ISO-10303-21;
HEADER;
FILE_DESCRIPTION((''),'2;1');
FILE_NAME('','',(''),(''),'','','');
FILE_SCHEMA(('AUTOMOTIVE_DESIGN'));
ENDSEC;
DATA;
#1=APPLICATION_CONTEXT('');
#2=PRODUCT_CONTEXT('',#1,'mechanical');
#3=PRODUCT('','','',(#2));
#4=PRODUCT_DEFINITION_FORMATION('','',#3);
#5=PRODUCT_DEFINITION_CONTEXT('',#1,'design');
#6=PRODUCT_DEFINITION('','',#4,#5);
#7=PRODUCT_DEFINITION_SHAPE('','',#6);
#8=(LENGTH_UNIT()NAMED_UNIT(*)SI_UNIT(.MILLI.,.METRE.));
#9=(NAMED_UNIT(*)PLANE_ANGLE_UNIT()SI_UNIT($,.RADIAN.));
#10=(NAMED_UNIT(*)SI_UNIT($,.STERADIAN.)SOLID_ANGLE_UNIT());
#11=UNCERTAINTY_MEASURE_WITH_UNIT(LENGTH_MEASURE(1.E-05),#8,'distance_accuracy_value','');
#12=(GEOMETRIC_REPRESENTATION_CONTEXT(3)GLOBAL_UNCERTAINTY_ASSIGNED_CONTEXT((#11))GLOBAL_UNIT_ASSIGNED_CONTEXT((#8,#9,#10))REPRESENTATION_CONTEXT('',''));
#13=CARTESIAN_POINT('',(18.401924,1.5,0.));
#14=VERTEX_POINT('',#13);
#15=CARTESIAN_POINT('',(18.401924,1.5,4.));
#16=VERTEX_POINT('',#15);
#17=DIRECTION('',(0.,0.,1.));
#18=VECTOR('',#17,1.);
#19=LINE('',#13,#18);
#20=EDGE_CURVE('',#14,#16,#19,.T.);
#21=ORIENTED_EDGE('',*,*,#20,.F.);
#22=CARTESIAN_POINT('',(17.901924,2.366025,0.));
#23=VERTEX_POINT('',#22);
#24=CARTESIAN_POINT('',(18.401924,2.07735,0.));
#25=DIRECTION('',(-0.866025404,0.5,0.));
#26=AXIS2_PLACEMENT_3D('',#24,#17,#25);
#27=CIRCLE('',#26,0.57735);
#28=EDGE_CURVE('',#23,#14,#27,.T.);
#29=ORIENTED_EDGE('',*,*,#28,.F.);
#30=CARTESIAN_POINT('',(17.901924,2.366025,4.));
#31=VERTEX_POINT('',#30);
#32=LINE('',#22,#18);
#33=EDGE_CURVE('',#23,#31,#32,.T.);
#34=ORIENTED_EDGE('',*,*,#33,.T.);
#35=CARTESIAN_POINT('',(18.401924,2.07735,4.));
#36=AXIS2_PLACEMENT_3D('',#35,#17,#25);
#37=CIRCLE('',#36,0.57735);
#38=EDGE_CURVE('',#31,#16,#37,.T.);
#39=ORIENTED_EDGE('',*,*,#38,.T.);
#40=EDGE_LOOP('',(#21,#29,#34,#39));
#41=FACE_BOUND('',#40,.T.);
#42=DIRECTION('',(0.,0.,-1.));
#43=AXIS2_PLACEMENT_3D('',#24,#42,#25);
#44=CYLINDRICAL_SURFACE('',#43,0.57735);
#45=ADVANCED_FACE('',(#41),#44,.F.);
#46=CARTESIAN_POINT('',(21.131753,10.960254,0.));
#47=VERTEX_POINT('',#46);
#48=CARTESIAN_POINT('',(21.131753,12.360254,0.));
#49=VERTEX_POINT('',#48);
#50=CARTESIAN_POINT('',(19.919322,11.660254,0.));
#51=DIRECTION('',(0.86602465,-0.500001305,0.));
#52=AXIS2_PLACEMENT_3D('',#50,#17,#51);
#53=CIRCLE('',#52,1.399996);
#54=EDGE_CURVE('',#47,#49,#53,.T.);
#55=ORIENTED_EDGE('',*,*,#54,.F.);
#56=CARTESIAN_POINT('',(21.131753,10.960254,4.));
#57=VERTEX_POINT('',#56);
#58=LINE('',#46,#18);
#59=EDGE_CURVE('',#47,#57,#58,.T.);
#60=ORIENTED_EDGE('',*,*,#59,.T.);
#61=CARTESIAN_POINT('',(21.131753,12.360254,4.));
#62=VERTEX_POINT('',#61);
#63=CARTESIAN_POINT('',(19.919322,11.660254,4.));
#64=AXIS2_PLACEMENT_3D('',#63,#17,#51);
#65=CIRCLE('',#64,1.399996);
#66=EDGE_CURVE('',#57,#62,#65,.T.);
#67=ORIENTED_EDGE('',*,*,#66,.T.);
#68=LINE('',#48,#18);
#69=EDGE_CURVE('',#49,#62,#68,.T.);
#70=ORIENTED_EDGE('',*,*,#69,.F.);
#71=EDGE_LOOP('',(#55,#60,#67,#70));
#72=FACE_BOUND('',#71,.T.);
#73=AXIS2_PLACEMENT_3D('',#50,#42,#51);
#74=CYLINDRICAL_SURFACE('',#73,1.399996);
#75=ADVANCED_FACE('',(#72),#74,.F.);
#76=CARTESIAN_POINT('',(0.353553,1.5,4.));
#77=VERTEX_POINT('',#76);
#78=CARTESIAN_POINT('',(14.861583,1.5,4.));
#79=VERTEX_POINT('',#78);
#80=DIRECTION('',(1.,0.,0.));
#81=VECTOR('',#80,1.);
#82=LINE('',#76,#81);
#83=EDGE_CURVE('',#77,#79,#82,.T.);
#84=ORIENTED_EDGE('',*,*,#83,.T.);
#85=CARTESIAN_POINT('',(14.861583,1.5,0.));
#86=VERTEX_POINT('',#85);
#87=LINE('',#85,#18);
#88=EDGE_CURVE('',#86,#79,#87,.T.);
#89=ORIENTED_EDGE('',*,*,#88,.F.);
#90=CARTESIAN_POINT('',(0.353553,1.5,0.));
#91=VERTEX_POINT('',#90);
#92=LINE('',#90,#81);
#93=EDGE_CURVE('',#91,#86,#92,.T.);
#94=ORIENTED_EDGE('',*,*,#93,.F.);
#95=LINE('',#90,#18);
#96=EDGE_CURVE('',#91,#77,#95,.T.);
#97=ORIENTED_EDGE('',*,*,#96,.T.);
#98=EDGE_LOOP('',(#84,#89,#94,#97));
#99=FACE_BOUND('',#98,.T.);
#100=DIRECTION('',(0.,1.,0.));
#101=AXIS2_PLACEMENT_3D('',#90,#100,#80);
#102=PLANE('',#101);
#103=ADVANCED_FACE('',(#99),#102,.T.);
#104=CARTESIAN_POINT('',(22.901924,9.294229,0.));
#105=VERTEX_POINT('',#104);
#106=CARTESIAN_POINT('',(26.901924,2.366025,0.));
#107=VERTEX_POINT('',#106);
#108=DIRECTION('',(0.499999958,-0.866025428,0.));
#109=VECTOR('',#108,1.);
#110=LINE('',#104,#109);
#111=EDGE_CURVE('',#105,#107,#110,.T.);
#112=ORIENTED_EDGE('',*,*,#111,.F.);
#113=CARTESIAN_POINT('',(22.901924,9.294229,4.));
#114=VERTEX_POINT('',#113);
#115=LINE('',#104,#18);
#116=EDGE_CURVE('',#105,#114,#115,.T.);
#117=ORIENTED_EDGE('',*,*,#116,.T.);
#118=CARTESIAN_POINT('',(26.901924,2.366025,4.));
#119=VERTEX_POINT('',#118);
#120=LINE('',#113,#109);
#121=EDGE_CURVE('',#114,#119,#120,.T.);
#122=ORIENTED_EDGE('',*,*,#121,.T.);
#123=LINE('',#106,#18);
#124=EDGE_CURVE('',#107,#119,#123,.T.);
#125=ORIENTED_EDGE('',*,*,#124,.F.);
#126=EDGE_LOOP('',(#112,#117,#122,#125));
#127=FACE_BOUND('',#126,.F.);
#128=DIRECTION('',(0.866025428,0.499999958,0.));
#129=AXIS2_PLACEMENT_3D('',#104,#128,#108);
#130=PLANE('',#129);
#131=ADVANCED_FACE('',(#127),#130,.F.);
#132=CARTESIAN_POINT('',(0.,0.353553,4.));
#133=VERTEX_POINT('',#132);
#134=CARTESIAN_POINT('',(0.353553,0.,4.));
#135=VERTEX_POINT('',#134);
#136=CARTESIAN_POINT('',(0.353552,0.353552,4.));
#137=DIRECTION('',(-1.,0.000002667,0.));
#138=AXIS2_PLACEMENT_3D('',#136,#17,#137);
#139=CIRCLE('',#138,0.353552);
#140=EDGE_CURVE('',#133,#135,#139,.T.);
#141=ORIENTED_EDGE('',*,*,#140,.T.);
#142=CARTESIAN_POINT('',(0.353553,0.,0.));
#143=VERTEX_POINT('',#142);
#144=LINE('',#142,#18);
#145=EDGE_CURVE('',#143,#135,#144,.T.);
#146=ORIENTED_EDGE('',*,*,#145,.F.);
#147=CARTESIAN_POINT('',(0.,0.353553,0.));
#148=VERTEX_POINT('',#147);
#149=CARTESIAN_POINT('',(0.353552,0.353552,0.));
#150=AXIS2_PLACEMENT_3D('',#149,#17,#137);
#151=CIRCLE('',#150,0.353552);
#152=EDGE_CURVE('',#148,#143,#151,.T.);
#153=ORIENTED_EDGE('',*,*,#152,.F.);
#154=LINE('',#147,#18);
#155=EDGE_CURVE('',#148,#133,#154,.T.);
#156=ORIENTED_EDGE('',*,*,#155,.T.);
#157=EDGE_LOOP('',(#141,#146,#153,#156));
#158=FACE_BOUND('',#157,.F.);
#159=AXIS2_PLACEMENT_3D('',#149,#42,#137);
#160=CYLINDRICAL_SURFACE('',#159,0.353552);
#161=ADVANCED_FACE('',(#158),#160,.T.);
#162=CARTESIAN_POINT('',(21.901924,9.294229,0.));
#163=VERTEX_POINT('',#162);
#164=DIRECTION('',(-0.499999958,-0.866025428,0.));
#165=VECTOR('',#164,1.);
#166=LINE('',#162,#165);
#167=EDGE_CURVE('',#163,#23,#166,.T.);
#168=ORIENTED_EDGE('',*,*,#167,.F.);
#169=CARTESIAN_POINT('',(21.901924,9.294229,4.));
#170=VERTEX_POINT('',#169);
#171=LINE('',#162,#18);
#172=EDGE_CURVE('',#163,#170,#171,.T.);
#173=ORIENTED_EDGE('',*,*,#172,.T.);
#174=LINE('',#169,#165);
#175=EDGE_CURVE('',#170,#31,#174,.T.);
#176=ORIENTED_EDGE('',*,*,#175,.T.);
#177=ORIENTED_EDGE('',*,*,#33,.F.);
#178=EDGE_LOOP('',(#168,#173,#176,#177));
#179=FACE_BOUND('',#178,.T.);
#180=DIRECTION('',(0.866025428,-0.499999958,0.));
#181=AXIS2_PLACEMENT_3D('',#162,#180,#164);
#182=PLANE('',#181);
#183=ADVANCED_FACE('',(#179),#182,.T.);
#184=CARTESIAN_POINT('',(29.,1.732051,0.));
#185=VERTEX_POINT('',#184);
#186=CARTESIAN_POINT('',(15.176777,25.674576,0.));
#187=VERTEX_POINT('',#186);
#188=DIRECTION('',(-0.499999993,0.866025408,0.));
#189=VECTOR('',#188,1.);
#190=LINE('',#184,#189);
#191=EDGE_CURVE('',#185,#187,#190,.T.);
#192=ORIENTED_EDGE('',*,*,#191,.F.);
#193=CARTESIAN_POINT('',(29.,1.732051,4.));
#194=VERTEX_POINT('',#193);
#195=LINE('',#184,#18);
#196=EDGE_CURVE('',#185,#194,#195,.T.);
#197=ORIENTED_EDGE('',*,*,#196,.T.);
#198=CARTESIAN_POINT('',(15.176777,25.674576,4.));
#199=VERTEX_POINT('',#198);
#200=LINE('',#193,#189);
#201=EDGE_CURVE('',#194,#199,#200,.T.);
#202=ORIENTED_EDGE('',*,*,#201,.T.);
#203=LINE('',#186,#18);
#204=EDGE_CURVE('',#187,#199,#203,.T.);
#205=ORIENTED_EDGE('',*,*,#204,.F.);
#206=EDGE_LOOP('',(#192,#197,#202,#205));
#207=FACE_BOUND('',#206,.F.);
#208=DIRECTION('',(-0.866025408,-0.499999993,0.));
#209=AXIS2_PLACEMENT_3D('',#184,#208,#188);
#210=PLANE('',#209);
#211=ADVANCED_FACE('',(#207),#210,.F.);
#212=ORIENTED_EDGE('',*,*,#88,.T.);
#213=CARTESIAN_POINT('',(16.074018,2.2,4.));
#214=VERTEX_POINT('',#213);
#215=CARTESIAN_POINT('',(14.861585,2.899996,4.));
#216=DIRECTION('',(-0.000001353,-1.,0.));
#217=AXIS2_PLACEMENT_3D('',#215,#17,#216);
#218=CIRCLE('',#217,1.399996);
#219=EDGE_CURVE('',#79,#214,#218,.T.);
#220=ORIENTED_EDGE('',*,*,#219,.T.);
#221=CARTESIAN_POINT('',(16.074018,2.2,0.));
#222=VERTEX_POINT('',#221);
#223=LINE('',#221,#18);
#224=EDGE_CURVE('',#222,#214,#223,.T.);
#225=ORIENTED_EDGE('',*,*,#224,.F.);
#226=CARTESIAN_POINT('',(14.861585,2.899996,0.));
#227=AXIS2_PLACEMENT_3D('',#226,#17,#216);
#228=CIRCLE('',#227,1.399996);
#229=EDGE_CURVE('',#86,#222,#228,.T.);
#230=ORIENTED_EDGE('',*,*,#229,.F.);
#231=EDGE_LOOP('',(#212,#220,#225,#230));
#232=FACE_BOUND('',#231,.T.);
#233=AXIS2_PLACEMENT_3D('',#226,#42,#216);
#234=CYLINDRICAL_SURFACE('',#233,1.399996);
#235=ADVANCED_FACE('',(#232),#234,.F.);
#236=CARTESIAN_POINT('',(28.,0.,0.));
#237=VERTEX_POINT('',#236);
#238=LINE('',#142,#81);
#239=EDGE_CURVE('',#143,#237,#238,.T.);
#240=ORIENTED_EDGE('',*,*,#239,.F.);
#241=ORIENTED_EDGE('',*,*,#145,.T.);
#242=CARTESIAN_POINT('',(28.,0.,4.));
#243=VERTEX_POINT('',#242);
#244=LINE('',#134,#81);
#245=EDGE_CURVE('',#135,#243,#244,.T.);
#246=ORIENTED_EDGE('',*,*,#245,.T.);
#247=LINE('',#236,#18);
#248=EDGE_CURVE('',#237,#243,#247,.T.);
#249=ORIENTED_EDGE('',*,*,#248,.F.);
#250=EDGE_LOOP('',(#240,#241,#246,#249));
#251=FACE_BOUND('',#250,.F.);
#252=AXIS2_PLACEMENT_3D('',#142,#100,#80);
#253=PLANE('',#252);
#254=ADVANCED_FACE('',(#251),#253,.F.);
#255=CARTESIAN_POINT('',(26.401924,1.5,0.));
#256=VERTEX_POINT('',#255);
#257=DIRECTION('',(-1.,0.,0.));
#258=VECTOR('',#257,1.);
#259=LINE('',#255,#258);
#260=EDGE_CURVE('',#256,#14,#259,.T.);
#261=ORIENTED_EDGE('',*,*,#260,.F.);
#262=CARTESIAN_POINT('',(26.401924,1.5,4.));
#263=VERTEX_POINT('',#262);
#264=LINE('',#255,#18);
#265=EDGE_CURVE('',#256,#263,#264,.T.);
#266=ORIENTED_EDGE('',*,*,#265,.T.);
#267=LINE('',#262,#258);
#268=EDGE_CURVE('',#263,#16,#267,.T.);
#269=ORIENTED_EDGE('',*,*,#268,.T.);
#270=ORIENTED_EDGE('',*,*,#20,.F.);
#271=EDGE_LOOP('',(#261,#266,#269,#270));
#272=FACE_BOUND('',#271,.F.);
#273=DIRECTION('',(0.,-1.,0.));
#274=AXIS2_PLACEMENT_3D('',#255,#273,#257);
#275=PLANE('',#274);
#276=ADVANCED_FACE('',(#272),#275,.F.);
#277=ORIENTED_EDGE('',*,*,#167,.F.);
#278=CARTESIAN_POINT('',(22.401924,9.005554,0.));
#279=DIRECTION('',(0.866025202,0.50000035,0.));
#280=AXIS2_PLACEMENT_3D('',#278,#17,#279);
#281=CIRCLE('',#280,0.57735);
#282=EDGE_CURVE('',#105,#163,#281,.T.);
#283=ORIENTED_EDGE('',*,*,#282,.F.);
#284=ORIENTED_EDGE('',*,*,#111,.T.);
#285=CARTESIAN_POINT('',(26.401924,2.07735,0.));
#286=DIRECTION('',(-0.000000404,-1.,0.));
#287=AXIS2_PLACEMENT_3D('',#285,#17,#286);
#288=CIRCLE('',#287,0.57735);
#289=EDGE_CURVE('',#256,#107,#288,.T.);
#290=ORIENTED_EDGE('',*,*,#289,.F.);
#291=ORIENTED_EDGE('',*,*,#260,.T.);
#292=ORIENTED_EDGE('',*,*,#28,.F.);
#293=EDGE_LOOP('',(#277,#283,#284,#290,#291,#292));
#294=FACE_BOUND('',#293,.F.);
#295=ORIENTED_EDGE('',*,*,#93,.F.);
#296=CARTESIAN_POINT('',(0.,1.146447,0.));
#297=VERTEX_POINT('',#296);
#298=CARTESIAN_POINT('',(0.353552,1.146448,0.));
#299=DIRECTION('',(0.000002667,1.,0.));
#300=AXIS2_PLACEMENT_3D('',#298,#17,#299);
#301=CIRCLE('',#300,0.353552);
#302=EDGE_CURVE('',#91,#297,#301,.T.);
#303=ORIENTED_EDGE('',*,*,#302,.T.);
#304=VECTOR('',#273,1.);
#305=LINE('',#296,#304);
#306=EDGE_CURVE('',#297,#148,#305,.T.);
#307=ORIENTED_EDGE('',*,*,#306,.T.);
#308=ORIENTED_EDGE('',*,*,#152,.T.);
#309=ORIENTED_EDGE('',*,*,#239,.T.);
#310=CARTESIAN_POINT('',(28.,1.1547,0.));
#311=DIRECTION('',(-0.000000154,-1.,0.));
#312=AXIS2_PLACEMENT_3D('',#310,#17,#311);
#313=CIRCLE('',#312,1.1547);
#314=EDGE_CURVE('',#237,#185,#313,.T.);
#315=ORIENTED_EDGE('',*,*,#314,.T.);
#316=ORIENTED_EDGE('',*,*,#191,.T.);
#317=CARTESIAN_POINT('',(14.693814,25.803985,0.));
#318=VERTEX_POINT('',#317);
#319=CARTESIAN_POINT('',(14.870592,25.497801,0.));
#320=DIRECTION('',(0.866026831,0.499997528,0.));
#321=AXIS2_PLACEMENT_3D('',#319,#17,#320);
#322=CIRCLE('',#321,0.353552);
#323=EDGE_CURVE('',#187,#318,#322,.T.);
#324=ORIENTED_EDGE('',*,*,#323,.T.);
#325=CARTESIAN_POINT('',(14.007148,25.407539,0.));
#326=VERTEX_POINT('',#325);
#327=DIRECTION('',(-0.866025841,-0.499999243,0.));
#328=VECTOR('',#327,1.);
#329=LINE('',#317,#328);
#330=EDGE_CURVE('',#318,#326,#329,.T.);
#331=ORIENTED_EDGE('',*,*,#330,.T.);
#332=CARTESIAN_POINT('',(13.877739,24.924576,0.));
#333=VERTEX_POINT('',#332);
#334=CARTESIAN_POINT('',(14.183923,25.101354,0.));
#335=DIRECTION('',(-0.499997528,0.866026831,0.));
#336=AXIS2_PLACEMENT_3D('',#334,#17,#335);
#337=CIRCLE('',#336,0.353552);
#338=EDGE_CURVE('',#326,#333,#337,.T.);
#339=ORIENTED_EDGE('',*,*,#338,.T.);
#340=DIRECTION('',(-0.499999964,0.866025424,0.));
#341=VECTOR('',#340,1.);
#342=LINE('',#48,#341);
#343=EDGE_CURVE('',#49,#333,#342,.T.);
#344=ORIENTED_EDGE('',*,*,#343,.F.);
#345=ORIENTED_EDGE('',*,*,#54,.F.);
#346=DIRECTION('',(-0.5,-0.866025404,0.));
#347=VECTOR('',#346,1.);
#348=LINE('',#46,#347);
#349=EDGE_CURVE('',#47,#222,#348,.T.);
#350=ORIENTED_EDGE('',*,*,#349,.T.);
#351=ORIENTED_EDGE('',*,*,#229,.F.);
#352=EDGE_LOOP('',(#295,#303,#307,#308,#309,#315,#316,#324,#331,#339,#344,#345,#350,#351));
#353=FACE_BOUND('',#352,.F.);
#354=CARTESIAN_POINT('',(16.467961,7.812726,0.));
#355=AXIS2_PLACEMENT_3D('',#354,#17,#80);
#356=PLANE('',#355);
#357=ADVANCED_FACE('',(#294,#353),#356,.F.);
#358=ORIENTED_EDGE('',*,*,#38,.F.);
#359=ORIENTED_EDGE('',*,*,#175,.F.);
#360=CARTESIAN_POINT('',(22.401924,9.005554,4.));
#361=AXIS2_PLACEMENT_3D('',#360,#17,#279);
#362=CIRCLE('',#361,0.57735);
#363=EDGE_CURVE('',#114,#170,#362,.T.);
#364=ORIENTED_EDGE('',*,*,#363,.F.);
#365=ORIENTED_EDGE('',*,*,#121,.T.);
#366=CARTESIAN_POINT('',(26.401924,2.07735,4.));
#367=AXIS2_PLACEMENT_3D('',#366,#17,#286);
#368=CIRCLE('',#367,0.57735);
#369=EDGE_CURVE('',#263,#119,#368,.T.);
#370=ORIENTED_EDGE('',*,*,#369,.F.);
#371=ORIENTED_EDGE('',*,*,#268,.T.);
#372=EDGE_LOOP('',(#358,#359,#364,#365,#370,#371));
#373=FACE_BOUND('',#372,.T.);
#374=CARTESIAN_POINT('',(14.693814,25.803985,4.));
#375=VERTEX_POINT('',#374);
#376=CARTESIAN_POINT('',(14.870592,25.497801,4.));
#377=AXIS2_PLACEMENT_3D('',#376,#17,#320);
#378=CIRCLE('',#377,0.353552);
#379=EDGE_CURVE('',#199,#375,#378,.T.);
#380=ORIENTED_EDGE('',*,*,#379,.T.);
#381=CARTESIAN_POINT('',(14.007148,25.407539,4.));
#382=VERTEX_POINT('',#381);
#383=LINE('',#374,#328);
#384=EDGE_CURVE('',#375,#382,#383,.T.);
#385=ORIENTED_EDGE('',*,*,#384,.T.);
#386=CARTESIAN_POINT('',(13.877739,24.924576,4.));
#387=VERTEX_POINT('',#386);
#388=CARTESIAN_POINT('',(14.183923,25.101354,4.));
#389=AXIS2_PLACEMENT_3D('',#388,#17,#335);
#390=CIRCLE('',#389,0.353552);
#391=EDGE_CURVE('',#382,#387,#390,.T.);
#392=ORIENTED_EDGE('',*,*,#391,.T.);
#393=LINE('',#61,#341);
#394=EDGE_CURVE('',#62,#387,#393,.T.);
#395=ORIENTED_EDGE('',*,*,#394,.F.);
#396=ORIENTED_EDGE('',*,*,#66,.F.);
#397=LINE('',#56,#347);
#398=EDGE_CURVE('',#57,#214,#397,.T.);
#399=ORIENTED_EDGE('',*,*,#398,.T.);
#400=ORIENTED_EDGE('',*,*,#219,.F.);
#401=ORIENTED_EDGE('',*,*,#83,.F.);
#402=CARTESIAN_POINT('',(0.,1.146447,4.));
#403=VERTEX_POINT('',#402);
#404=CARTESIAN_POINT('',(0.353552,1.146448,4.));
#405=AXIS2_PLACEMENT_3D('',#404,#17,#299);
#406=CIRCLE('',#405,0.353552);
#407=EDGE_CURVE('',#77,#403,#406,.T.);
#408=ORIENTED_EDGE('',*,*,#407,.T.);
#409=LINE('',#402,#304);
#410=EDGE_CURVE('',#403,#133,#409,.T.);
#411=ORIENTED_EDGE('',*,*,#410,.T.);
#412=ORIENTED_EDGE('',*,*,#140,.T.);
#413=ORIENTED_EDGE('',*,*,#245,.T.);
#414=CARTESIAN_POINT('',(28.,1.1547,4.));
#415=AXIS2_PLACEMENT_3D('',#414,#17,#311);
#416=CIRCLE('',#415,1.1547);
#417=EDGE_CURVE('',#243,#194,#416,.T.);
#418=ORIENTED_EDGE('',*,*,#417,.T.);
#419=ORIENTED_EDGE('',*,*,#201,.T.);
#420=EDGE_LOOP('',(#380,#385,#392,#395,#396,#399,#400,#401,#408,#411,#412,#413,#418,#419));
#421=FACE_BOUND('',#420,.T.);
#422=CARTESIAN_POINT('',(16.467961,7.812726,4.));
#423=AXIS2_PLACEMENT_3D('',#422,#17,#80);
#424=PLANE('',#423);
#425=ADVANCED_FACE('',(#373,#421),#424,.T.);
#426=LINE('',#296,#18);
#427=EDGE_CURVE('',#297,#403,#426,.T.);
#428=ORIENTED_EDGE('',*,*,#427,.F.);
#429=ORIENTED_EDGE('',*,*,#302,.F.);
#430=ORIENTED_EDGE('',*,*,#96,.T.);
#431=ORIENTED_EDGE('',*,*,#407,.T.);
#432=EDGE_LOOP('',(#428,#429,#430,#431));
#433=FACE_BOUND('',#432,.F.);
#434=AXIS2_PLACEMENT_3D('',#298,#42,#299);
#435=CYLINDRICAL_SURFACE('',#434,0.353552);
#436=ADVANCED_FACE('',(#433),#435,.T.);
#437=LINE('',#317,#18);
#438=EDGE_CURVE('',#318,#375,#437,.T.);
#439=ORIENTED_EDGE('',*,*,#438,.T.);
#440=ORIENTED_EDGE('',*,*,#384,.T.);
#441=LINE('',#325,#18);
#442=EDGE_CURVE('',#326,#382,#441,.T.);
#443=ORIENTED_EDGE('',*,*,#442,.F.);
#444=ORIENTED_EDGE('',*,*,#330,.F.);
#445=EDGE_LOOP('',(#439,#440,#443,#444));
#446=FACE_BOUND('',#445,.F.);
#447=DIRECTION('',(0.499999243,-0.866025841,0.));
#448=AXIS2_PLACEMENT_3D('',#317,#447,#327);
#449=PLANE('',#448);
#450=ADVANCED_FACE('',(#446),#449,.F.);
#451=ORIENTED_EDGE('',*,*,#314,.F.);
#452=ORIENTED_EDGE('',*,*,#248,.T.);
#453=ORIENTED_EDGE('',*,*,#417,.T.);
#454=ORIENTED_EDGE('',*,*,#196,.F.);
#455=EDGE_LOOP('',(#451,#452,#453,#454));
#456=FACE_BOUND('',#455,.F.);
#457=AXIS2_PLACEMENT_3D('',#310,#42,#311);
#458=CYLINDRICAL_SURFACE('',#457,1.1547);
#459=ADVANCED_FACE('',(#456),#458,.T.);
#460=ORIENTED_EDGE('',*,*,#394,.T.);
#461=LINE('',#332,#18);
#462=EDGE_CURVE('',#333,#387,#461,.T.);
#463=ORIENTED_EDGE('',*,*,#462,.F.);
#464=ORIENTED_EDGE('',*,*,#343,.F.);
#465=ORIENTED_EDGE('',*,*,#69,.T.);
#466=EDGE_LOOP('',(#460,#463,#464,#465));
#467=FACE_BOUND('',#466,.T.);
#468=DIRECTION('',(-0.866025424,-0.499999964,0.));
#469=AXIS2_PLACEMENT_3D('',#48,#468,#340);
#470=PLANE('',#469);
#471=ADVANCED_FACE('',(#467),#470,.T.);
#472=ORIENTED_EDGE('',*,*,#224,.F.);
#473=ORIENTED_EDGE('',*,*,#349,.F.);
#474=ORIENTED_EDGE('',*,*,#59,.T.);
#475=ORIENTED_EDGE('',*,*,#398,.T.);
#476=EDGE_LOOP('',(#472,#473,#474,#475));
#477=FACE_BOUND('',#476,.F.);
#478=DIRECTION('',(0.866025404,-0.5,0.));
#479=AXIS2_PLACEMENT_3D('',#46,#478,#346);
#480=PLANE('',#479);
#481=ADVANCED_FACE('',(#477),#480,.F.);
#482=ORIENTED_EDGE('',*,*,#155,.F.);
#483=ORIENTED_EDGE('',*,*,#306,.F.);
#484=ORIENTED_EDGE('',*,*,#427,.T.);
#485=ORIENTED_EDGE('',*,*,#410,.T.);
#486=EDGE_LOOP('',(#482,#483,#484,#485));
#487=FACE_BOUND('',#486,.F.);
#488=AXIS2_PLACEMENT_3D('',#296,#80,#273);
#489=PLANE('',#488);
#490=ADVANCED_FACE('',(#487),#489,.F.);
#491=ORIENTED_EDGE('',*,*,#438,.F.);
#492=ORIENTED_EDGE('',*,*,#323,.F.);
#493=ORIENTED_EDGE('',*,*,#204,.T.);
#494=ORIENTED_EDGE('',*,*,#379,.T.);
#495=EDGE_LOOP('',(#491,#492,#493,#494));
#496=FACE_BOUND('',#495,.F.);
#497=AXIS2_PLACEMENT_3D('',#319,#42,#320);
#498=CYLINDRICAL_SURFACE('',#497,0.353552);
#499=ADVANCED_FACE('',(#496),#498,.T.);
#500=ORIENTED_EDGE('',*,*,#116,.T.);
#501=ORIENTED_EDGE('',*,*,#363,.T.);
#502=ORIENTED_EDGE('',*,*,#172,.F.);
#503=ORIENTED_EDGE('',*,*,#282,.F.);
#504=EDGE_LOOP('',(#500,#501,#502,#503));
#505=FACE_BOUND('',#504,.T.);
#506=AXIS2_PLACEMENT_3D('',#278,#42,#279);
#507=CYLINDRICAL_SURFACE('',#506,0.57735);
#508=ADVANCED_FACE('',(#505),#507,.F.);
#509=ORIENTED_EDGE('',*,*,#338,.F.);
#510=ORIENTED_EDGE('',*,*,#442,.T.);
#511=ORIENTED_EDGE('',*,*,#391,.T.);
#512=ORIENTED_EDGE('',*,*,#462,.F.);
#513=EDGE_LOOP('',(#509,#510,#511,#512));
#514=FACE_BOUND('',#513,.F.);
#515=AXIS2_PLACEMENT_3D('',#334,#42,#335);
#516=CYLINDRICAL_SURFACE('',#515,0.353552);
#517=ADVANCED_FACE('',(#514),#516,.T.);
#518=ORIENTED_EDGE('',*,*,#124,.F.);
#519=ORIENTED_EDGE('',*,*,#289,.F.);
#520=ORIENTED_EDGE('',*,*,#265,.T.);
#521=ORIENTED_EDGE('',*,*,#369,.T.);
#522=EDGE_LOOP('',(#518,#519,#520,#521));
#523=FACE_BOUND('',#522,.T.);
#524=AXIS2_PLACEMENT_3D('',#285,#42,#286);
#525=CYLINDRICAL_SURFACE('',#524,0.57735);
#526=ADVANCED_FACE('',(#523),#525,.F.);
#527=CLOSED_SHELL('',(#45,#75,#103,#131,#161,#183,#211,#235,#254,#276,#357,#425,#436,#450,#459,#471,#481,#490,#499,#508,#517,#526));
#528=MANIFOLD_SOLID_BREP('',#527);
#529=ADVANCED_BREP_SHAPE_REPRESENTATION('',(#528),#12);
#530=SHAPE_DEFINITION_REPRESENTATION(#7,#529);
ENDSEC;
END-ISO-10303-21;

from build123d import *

# Parameters (mm, degrees)
PAD_DEPTH = 4


with BuildPart() as part:
    # Sketch → Pad (new body)
    with BuildSketch(Plane.XY):
        with BuildLine():
            Line((0.353553, 0), (28, 0))
            ThreePointArc((28, 0), (29, 0.57735), (29, 1.732051))
            Line((29, 1.732051), (15.176777, 25.674576))
            ThreePointArc((15.176777, 25.674576), (14.962097, 25.839306), (14.693814, 25.803985))
            Line((14.693814, 25.803985), (14.007148, 25.407539))
            ThreePointArc((14.007148, 25.407539), (13.842418, 25.192859), (13.877739, 24.924576))
            Line((21.131753, 12.360254), (13.877739, 24.924576))
            ThreePointArc((21.131753, 10.960254), (21.319318, 11.660254), (21.131753, 12.360254))
            Line((21.131753, 10.960254), (16.074018, 2.2))
            ThreePointArc((14.861583, 1.5), (15.561583, 1.687564), (16.074018, 2.2))
            Line((0.353553, 1.5), (14.861583, 1.5))
            ThreePointArc((0.353553, 1.5), (0.103553, 1.396447), (0, 1.146447))
            Line((0, 1.146447), (0, 0.353553))
            ThreePointArc((0, 0.353553), (0.103553, 0.103553), (0.353553, 0))
        make_face()
        with BuildLine():
            Line((21.901924, 9.294229), (17.901924, 2.366025))
            ThreePointArc((17.901924, 2.366025), (17.901924, 1.788675), (18.401924, 1.5))
            Line((26.401924, 1.5), (18.401924, 1.5))
            ThreePointArc((26.401924, 1.5), (26.901924, 1.788675), (26.901924, 2.366025))
            Line((22.901924, 9.294229), (26.901924, 2.366025))
            ThreePointArc((22.901924, 9.294229), (22.401924, 9.582904), (21.901924, 9.294229))
        make_face(mode=Mode.SUBTRACT)
    extrude(amount=PAD_DEPTH)


solid = part.part
